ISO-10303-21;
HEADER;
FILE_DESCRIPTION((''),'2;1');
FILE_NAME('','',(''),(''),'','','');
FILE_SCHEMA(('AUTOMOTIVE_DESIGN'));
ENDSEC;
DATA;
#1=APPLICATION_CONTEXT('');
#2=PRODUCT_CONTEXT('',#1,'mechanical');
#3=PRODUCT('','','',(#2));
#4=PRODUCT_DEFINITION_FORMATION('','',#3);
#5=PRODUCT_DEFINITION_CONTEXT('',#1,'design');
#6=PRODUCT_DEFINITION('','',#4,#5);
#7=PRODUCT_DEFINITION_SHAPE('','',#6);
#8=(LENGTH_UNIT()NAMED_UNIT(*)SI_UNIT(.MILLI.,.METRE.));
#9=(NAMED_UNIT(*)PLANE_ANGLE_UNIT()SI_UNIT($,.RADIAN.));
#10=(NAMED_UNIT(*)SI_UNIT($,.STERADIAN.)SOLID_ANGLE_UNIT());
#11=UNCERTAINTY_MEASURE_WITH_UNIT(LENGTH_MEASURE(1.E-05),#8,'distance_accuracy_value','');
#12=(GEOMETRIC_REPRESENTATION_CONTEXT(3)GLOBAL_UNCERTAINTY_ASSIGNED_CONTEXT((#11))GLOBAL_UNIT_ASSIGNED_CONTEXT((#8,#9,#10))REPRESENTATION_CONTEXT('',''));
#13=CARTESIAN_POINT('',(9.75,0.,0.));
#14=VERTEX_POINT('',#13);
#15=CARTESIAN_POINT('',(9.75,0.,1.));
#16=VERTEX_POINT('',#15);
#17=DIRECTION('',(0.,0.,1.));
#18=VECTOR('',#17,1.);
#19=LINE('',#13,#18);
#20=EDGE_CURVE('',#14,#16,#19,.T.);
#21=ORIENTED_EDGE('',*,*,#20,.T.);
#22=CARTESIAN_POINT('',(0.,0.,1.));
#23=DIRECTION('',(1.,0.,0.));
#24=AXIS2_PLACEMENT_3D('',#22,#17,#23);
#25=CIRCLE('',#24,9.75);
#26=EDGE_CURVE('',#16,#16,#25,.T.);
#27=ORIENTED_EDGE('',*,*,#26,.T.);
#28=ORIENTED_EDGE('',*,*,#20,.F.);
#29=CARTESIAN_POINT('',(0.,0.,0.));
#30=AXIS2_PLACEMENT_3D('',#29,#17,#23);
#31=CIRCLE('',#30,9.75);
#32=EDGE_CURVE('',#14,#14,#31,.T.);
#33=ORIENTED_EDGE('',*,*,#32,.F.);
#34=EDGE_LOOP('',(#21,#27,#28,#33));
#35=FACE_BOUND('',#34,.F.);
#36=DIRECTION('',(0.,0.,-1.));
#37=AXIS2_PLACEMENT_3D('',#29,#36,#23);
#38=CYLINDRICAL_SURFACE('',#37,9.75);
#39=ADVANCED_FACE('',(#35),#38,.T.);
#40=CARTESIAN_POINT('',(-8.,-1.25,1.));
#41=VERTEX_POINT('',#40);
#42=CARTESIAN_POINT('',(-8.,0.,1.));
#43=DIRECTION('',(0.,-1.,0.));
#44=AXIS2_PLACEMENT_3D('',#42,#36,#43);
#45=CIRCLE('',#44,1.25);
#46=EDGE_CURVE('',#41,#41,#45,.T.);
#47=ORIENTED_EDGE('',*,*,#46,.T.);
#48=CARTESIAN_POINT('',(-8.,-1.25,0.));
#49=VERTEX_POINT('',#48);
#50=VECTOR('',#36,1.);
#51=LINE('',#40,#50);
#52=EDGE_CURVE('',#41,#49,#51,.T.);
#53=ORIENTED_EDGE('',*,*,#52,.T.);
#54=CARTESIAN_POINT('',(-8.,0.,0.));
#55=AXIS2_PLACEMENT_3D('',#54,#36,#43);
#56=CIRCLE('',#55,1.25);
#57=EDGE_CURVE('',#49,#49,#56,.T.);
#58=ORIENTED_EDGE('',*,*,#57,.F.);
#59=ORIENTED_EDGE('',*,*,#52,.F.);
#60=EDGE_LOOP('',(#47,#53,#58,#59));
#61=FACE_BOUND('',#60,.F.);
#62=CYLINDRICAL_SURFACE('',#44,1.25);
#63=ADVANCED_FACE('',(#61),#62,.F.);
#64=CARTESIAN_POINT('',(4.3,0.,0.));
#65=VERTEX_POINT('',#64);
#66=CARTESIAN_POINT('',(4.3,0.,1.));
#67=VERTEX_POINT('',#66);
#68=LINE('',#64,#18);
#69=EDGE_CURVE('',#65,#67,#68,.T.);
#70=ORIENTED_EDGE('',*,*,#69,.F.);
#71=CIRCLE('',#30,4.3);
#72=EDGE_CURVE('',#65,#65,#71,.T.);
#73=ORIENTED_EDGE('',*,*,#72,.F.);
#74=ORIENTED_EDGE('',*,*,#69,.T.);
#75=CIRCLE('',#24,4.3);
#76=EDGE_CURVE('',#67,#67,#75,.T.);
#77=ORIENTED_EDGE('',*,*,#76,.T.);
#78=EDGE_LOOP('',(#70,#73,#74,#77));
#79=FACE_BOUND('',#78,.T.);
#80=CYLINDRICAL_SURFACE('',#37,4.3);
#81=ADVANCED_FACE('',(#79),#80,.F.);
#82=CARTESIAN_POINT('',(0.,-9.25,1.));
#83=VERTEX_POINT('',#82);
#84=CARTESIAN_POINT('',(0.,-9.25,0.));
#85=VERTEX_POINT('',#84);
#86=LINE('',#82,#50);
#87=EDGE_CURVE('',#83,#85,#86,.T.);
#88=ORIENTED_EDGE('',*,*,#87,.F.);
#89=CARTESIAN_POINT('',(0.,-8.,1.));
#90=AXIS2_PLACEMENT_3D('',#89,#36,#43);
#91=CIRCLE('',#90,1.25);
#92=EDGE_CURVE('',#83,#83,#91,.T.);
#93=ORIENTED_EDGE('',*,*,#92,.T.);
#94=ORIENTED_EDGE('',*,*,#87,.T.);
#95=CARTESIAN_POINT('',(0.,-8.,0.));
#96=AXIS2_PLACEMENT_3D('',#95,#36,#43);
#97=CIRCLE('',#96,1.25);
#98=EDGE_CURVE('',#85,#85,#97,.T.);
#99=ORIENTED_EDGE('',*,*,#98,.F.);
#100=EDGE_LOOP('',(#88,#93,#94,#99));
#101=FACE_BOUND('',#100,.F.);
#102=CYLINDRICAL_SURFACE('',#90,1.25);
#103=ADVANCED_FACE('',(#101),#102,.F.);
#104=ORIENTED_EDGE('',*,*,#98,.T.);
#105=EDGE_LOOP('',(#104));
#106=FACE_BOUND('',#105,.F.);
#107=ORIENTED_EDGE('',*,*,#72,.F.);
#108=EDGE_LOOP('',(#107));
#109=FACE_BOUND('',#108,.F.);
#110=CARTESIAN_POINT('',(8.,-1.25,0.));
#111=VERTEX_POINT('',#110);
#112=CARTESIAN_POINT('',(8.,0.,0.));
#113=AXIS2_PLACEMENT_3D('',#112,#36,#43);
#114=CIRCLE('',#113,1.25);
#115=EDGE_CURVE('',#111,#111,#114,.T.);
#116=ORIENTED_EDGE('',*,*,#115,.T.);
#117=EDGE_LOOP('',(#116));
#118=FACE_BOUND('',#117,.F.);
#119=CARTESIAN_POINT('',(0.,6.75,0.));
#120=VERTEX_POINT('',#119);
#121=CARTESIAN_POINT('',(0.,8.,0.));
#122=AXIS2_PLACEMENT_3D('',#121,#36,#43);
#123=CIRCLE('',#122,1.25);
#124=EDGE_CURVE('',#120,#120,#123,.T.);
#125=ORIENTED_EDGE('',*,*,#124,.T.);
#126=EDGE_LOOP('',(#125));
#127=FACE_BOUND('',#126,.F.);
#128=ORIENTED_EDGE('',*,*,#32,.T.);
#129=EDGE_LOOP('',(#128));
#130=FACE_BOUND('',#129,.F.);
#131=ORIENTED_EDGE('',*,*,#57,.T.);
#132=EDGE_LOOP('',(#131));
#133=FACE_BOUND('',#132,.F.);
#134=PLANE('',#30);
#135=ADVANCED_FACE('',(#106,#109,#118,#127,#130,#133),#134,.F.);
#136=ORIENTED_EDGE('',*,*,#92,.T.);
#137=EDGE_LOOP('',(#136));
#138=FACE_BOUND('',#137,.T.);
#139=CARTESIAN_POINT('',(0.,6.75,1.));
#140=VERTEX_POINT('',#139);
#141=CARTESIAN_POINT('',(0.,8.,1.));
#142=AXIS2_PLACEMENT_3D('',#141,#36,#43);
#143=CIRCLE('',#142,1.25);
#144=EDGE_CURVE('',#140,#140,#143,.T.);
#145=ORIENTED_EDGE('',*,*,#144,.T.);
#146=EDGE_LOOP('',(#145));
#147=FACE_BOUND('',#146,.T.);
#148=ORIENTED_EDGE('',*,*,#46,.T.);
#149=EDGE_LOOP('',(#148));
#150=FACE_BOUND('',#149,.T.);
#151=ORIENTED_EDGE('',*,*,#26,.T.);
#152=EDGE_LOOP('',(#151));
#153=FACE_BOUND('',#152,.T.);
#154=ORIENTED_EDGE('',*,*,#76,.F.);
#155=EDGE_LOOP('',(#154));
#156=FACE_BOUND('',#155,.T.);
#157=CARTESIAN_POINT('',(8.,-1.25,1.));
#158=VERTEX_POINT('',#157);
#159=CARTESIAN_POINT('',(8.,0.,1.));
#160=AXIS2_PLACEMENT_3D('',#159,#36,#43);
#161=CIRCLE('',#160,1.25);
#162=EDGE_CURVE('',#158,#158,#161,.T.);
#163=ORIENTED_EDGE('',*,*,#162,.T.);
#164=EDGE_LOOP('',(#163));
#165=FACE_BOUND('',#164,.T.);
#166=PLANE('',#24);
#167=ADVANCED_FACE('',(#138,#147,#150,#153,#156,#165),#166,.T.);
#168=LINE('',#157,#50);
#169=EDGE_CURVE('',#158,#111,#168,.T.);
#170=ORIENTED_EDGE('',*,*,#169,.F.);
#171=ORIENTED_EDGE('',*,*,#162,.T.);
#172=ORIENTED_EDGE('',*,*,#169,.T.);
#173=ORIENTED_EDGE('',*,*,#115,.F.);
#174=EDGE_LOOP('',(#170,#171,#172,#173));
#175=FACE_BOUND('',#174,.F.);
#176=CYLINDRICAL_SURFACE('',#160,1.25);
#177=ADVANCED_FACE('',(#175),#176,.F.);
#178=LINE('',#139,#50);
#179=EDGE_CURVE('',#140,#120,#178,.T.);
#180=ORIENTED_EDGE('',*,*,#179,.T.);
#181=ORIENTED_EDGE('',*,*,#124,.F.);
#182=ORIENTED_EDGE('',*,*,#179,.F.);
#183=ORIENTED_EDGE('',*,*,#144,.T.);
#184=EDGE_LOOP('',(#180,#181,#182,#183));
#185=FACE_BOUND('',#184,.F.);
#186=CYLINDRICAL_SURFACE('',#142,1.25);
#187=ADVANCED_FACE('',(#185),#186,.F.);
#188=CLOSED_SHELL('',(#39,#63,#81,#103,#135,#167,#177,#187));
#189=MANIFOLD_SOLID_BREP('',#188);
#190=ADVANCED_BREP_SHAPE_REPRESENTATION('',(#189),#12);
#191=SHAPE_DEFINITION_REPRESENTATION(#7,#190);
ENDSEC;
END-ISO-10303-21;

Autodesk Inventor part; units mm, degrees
ref_plane "YZ Plane" through (0, 0, 0) normal (1, 0, 0) x (0, 1, 0)
ref_plane "XZ Plane" through (0, 0, 0) normal (0, 1, 0) x (-1, 0, 0)
ref_plane "XY Plane" through (0, 0, 0) normal (0, 0, 1) x (1, 0, 0)
sketch "スケッチ1" plane through (0, 0, 0) normal (0, 0, 1) x (1, 0, 0)
  circle A0 centre (0, 0) radius 9.75
  circle A1 centre (0, 0) radius 4.3
  dimension "d0" = 19.5
  dimension "d1" = 8.6
extrude "押し出し1" add sketch "スケッチ1" along normal blind 1
sketch "スケッチ2" plane through (0, 0, 1) normal (0, 0, 1) x (1, 0, 0)
  circle A0 centre (0, 0) radius 8
  point P0 (0, 8)
  point P1 (-8, 0)
  point P2 (0, -8)
  point P3 (8, 0)
  dimension "d4" = 16
  dimension "d7" = 360
hole "穴1" at (0, 8, 1) at (-8, 0, 1) at (0, -8, 1) at (8, 0, 1) direction (0, 0, -1) diameter 2.5 end through all
properties part number "rotor_shim"
